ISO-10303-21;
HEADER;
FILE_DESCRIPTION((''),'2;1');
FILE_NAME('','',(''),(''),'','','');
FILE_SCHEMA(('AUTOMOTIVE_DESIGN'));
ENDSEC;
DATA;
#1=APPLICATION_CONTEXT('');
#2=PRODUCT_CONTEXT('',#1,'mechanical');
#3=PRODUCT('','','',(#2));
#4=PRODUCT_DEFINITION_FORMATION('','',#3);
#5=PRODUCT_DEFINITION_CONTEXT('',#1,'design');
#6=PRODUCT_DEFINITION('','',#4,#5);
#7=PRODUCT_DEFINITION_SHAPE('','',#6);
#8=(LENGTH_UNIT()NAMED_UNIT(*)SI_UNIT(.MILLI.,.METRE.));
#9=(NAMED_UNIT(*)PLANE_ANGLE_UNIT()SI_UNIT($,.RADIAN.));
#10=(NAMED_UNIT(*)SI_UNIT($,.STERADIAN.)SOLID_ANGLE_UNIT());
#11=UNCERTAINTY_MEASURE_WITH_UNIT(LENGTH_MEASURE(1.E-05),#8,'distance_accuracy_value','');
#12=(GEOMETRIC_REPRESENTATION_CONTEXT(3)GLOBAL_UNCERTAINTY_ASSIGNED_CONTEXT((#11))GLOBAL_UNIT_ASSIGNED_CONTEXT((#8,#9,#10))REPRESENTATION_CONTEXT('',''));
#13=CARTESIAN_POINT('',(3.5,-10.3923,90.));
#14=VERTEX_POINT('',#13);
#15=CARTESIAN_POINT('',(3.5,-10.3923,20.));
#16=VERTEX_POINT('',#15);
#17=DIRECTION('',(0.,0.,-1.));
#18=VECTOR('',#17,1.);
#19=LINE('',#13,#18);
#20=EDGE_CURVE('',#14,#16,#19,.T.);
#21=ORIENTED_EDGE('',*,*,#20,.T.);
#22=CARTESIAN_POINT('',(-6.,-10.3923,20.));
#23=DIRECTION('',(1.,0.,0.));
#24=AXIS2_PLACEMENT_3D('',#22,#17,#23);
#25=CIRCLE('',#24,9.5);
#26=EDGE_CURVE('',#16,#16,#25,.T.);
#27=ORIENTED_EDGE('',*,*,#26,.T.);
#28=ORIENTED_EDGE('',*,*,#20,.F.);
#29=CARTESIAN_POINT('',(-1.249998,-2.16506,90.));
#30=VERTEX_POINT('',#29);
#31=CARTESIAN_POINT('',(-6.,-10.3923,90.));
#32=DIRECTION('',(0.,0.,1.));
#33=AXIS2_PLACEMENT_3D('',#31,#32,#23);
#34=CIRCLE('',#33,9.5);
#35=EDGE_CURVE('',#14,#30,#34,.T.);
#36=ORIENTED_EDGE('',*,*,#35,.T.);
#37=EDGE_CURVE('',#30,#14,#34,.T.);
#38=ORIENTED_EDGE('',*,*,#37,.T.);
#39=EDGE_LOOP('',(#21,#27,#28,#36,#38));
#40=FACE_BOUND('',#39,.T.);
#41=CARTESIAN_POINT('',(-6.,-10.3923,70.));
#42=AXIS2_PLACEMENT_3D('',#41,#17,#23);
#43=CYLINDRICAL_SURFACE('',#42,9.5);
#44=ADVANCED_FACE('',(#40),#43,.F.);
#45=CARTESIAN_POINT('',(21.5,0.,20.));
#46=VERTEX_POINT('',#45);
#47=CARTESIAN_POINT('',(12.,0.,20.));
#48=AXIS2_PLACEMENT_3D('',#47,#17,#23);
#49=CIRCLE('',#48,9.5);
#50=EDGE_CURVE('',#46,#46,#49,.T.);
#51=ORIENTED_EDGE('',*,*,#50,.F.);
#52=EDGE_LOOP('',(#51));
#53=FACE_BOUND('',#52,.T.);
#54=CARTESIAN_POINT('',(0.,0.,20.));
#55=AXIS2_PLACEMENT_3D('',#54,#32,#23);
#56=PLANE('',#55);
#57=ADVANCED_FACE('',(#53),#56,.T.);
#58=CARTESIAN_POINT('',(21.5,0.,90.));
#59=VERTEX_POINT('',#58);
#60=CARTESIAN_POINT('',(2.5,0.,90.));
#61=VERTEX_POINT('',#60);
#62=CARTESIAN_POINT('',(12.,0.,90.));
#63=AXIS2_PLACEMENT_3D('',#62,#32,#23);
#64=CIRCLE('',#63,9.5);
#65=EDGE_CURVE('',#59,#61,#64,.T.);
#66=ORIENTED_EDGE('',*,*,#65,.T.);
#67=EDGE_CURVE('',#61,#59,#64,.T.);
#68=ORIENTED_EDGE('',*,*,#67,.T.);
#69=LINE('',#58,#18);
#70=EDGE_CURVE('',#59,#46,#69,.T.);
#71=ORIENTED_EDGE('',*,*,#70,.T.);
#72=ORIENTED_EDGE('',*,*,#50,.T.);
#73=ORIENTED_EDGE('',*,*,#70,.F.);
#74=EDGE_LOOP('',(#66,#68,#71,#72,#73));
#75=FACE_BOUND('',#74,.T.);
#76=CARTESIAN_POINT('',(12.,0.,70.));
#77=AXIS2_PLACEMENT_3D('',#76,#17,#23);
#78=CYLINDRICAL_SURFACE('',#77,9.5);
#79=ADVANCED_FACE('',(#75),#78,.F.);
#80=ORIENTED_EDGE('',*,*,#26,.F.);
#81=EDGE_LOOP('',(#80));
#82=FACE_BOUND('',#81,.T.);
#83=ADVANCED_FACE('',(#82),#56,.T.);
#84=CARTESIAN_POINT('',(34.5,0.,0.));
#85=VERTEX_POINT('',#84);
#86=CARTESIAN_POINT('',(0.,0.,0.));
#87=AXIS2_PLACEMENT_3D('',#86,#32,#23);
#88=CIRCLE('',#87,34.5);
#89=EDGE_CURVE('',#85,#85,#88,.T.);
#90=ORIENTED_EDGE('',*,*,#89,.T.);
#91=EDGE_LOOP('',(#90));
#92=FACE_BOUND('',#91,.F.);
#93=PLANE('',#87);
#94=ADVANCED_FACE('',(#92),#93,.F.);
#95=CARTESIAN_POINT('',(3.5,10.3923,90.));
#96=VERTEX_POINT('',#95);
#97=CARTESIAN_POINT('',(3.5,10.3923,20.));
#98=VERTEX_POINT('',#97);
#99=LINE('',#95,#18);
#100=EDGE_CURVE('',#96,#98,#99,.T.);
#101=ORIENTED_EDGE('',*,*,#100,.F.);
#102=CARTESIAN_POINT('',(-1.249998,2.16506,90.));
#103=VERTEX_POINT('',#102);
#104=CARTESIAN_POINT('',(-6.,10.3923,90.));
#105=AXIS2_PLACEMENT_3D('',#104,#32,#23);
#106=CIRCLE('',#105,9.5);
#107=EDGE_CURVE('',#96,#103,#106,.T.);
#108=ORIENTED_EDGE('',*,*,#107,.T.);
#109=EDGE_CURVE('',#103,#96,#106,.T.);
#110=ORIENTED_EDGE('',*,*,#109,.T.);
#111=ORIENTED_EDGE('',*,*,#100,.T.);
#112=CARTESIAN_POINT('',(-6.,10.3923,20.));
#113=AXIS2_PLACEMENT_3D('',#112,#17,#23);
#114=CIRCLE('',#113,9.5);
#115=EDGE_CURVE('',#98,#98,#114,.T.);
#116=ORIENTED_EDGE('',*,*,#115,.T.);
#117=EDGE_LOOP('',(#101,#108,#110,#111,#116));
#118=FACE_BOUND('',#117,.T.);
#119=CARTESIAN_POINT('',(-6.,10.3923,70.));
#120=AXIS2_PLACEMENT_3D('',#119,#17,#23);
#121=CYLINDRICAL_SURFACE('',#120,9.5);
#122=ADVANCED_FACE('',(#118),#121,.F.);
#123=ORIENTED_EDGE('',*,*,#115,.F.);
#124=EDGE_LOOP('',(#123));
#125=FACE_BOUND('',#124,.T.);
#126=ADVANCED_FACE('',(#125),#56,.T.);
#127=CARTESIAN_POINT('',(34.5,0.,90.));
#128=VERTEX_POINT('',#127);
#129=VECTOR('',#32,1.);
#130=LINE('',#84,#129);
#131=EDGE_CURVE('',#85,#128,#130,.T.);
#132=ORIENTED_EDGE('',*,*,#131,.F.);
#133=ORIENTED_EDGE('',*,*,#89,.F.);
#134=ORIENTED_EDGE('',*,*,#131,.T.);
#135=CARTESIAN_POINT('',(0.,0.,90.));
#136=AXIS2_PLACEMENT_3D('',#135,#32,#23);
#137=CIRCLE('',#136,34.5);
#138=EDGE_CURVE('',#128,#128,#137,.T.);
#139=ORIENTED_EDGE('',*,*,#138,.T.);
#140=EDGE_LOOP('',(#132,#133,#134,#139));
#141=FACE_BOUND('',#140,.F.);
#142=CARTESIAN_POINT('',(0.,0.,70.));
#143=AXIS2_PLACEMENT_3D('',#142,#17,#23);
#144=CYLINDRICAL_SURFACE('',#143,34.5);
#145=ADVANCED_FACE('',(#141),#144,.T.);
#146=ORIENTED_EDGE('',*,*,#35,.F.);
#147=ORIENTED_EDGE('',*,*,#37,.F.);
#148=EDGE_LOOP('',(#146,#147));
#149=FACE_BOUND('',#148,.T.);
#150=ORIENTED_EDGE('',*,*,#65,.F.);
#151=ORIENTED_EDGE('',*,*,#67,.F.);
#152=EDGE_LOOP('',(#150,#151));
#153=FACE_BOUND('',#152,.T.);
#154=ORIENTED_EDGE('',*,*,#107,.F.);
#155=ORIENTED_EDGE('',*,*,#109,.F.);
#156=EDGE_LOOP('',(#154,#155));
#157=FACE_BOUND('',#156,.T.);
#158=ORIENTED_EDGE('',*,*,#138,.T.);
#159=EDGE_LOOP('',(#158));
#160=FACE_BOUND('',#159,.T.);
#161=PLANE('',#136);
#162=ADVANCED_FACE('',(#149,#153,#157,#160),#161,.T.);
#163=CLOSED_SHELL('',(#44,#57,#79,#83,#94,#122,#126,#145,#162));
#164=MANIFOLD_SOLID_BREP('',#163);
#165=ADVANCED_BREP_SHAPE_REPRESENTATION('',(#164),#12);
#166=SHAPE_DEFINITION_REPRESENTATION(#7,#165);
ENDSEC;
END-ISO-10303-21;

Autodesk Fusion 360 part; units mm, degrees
sketch "Sketch1" plane through (0, 0, 0) normal (0, 0, 1) x (1, 0, 0)
  circle A0 centre (0, 0) radius 34.5
  line L0 (0, 0) -> (12, 0)
  line L1 (0, 0) -> (-6, 10.3923)
  line L2 (0, 0) -> (12, 0) construction
  line L3 (0, 0) -> (-6, -10.3923)
  line L4 (0, 0) -> (12, 0) construction
  circle A1 centre (-6, 10.3923) radius 9.5
  circle A2 centre (12, 0) radius 9.5
  circle A3 centre (-6, -10.3923) radius 9.5
  dimension "d1" = 69
  dimension "d2" = 12
  dimension "d3" = 12
  dimension "d4" = 120
  dimension "d5" = 120
  dimension "d6" = 12
  dimension "d7" = 19
  dimension "d8" = 19
  dimension "d9" = 19
extrude "Extrude1" add sketch "Sketch1" along normal blind 100
extrude "Extrude2" add sketch "Sketch1" along normal blind 20 contours A2 | A1 | A3
extrude "Extrude3" cut 1 faces at (10.3664, -17.9552, 100) along direction (0, 0, -1) blind 30
extrude "Extrude4" add 1 faces at (10.3664, -17.9552, 70) along direction (0, 0, 1) blind 20
